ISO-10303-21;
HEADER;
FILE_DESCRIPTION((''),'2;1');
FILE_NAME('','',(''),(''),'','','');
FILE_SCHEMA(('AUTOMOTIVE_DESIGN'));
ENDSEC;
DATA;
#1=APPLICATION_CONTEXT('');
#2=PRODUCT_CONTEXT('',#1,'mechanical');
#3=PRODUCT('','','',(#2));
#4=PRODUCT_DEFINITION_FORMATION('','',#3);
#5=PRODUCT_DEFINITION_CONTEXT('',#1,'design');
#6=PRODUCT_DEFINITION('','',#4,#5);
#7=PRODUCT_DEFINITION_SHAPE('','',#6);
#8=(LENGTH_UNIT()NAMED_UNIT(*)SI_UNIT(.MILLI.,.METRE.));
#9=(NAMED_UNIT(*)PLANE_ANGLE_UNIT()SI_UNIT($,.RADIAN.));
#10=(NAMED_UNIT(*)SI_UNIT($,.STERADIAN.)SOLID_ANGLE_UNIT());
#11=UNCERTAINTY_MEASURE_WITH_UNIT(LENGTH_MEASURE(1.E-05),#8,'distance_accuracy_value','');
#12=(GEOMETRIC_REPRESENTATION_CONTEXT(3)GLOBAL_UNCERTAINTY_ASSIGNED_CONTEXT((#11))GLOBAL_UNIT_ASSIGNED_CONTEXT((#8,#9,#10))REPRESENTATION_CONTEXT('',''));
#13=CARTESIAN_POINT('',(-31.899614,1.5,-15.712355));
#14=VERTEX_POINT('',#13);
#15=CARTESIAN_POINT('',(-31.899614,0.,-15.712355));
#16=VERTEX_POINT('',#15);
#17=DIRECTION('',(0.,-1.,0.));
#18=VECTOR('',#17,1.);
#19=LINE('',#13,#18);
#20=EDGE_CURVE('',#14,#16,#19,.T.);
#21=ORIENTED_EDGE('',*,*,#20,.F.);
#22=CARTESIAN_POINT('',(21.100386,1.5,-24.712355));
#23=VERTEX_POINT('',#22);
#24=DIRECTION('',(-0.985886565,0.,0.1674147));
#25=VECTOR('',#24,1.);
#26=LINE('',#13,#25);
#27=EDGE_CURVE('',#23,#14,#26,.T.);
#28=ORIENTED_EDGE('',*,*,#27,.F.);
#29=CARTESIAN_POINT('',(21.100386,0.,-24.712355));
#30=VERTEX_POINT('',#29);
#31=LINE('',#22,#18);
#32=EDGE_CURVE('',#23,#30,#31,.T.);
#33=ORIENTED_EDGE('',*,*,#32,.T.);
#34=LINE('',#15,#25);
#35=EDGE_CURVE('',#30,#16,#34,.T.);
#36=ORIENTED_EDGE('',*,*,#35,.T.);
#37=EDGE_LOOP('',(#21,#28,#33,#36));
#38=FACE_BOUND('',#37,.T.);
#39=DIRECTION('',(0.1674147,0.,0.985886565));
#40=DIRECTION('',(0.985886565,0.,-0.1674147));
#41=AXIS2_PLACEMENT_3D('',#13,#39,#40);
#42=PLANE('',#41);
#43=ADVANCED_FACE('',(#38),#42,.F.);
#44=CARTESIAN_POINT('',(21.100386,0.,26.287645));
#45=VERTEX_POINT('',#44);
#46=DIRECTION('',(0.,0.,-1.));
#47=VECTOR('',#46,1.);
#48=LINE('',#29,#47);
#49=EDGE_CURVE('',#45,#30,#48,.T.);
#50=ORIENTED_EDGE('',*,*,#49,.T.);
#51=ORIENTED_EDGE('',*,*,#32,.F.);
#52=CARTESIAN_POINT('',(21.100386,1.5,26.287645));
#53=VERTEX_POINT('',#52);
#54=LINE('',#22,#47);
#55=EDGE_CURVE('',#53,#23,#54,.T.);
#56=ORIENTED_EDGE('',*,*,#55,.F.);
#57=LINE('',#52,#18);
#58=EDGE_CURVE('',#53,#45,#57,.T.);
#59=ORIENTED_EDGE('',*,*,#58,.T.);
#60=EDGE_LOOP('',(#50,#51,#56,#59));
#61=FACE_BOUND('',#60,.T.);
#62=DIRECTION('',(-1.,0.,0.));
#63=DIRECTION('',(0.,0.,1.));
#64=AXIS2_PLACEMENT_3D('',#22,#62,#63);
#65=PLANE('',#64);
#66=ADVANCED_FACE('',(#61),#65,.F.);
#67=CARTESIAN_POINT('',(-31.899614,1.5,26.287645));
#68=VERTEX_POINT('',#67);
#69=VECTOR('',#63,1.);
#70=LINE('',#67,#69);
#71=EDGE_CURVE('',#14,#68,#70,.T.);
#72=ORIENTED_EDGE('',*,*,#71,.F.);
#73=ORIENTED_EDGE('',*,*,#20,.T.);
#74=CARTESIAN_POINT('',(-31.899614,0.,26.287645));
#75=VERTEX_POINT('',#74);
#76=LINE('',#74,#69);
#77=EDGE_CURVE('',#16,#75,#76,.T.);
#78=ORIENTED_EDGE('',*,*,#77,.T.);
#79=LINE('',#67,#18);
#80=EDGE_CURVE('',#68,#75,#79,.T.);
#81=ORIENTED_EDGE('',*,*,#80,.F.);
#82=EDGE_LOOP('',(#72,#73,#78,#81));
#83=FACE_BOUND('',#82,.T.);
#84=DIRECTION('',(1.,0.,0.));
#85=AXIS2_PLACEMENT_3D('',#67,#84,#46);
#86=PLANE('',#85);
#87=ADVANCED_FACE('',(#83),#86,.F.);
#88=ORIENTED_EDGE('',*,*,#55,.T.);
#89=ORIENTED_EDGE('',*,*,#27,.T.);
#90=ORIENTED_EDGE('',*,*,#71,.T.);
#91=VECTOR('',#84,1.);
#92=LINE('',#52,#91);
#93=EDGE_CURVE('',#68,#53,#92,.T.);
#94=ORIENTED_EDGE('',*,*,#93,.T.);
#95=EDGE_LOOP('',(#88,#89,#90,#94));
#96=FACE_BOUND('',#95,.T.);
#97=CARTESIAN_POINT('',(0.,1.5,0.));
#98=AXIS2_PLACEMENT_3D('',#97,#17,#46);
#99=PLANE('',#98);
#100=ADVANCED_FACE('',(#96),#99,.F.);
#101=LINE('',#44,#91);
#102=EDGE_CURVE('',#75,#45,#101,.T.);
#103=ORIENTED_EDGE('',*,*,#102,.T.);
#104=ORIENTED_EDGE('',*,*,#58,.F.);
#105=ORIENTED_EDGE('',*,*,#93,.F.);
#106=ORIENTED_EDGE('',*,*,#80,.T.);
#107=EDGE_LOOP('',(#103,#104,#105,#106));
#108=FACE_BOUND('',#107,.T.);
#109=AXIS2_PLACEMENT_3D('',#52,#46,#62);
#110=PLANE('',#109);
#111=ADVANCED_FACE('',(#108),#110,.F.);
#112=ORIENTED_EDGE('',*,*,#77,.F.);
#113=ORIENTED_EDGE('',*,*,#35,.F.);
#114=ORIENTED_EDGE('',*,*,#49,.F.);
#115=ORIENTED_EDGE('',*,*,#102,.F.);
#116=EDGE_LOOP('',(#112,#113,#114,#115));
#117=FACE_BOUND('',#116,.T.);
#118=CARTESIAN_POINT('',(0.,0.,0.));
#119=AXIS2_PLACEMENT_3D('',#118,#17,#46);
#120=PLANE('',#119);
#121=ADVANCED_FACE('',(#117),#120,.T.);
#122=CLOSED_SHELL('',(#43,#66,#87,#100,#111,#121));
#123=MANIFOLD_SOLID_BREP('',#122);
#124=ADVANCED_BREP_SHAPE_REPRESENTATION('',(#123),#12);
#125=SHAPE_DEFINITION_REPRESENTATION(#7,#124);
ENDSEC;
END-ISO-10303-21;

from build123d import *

# Parameters (mm, degrees)
BOSS_EXTRUDE1_DEPTH = 1.5


with BuildPart() as part:
    # Sketch1 → Boss-Extrude1 (new body)
    with BuildSketch(Plane(origin=(0, 0, 0), x_dir=(1, 0, 0), z_dir=(0, 1, 0))):
        Polygon((21.1003861, 24.712355212), (21.1003861, -26.287644788), (-31.8996139, -26.287644788), (-31.8996139, 15.712355212), align=None)
    extrude(amount=BOSS_EXTRUDE1_DEPTH)


solid = part.part
